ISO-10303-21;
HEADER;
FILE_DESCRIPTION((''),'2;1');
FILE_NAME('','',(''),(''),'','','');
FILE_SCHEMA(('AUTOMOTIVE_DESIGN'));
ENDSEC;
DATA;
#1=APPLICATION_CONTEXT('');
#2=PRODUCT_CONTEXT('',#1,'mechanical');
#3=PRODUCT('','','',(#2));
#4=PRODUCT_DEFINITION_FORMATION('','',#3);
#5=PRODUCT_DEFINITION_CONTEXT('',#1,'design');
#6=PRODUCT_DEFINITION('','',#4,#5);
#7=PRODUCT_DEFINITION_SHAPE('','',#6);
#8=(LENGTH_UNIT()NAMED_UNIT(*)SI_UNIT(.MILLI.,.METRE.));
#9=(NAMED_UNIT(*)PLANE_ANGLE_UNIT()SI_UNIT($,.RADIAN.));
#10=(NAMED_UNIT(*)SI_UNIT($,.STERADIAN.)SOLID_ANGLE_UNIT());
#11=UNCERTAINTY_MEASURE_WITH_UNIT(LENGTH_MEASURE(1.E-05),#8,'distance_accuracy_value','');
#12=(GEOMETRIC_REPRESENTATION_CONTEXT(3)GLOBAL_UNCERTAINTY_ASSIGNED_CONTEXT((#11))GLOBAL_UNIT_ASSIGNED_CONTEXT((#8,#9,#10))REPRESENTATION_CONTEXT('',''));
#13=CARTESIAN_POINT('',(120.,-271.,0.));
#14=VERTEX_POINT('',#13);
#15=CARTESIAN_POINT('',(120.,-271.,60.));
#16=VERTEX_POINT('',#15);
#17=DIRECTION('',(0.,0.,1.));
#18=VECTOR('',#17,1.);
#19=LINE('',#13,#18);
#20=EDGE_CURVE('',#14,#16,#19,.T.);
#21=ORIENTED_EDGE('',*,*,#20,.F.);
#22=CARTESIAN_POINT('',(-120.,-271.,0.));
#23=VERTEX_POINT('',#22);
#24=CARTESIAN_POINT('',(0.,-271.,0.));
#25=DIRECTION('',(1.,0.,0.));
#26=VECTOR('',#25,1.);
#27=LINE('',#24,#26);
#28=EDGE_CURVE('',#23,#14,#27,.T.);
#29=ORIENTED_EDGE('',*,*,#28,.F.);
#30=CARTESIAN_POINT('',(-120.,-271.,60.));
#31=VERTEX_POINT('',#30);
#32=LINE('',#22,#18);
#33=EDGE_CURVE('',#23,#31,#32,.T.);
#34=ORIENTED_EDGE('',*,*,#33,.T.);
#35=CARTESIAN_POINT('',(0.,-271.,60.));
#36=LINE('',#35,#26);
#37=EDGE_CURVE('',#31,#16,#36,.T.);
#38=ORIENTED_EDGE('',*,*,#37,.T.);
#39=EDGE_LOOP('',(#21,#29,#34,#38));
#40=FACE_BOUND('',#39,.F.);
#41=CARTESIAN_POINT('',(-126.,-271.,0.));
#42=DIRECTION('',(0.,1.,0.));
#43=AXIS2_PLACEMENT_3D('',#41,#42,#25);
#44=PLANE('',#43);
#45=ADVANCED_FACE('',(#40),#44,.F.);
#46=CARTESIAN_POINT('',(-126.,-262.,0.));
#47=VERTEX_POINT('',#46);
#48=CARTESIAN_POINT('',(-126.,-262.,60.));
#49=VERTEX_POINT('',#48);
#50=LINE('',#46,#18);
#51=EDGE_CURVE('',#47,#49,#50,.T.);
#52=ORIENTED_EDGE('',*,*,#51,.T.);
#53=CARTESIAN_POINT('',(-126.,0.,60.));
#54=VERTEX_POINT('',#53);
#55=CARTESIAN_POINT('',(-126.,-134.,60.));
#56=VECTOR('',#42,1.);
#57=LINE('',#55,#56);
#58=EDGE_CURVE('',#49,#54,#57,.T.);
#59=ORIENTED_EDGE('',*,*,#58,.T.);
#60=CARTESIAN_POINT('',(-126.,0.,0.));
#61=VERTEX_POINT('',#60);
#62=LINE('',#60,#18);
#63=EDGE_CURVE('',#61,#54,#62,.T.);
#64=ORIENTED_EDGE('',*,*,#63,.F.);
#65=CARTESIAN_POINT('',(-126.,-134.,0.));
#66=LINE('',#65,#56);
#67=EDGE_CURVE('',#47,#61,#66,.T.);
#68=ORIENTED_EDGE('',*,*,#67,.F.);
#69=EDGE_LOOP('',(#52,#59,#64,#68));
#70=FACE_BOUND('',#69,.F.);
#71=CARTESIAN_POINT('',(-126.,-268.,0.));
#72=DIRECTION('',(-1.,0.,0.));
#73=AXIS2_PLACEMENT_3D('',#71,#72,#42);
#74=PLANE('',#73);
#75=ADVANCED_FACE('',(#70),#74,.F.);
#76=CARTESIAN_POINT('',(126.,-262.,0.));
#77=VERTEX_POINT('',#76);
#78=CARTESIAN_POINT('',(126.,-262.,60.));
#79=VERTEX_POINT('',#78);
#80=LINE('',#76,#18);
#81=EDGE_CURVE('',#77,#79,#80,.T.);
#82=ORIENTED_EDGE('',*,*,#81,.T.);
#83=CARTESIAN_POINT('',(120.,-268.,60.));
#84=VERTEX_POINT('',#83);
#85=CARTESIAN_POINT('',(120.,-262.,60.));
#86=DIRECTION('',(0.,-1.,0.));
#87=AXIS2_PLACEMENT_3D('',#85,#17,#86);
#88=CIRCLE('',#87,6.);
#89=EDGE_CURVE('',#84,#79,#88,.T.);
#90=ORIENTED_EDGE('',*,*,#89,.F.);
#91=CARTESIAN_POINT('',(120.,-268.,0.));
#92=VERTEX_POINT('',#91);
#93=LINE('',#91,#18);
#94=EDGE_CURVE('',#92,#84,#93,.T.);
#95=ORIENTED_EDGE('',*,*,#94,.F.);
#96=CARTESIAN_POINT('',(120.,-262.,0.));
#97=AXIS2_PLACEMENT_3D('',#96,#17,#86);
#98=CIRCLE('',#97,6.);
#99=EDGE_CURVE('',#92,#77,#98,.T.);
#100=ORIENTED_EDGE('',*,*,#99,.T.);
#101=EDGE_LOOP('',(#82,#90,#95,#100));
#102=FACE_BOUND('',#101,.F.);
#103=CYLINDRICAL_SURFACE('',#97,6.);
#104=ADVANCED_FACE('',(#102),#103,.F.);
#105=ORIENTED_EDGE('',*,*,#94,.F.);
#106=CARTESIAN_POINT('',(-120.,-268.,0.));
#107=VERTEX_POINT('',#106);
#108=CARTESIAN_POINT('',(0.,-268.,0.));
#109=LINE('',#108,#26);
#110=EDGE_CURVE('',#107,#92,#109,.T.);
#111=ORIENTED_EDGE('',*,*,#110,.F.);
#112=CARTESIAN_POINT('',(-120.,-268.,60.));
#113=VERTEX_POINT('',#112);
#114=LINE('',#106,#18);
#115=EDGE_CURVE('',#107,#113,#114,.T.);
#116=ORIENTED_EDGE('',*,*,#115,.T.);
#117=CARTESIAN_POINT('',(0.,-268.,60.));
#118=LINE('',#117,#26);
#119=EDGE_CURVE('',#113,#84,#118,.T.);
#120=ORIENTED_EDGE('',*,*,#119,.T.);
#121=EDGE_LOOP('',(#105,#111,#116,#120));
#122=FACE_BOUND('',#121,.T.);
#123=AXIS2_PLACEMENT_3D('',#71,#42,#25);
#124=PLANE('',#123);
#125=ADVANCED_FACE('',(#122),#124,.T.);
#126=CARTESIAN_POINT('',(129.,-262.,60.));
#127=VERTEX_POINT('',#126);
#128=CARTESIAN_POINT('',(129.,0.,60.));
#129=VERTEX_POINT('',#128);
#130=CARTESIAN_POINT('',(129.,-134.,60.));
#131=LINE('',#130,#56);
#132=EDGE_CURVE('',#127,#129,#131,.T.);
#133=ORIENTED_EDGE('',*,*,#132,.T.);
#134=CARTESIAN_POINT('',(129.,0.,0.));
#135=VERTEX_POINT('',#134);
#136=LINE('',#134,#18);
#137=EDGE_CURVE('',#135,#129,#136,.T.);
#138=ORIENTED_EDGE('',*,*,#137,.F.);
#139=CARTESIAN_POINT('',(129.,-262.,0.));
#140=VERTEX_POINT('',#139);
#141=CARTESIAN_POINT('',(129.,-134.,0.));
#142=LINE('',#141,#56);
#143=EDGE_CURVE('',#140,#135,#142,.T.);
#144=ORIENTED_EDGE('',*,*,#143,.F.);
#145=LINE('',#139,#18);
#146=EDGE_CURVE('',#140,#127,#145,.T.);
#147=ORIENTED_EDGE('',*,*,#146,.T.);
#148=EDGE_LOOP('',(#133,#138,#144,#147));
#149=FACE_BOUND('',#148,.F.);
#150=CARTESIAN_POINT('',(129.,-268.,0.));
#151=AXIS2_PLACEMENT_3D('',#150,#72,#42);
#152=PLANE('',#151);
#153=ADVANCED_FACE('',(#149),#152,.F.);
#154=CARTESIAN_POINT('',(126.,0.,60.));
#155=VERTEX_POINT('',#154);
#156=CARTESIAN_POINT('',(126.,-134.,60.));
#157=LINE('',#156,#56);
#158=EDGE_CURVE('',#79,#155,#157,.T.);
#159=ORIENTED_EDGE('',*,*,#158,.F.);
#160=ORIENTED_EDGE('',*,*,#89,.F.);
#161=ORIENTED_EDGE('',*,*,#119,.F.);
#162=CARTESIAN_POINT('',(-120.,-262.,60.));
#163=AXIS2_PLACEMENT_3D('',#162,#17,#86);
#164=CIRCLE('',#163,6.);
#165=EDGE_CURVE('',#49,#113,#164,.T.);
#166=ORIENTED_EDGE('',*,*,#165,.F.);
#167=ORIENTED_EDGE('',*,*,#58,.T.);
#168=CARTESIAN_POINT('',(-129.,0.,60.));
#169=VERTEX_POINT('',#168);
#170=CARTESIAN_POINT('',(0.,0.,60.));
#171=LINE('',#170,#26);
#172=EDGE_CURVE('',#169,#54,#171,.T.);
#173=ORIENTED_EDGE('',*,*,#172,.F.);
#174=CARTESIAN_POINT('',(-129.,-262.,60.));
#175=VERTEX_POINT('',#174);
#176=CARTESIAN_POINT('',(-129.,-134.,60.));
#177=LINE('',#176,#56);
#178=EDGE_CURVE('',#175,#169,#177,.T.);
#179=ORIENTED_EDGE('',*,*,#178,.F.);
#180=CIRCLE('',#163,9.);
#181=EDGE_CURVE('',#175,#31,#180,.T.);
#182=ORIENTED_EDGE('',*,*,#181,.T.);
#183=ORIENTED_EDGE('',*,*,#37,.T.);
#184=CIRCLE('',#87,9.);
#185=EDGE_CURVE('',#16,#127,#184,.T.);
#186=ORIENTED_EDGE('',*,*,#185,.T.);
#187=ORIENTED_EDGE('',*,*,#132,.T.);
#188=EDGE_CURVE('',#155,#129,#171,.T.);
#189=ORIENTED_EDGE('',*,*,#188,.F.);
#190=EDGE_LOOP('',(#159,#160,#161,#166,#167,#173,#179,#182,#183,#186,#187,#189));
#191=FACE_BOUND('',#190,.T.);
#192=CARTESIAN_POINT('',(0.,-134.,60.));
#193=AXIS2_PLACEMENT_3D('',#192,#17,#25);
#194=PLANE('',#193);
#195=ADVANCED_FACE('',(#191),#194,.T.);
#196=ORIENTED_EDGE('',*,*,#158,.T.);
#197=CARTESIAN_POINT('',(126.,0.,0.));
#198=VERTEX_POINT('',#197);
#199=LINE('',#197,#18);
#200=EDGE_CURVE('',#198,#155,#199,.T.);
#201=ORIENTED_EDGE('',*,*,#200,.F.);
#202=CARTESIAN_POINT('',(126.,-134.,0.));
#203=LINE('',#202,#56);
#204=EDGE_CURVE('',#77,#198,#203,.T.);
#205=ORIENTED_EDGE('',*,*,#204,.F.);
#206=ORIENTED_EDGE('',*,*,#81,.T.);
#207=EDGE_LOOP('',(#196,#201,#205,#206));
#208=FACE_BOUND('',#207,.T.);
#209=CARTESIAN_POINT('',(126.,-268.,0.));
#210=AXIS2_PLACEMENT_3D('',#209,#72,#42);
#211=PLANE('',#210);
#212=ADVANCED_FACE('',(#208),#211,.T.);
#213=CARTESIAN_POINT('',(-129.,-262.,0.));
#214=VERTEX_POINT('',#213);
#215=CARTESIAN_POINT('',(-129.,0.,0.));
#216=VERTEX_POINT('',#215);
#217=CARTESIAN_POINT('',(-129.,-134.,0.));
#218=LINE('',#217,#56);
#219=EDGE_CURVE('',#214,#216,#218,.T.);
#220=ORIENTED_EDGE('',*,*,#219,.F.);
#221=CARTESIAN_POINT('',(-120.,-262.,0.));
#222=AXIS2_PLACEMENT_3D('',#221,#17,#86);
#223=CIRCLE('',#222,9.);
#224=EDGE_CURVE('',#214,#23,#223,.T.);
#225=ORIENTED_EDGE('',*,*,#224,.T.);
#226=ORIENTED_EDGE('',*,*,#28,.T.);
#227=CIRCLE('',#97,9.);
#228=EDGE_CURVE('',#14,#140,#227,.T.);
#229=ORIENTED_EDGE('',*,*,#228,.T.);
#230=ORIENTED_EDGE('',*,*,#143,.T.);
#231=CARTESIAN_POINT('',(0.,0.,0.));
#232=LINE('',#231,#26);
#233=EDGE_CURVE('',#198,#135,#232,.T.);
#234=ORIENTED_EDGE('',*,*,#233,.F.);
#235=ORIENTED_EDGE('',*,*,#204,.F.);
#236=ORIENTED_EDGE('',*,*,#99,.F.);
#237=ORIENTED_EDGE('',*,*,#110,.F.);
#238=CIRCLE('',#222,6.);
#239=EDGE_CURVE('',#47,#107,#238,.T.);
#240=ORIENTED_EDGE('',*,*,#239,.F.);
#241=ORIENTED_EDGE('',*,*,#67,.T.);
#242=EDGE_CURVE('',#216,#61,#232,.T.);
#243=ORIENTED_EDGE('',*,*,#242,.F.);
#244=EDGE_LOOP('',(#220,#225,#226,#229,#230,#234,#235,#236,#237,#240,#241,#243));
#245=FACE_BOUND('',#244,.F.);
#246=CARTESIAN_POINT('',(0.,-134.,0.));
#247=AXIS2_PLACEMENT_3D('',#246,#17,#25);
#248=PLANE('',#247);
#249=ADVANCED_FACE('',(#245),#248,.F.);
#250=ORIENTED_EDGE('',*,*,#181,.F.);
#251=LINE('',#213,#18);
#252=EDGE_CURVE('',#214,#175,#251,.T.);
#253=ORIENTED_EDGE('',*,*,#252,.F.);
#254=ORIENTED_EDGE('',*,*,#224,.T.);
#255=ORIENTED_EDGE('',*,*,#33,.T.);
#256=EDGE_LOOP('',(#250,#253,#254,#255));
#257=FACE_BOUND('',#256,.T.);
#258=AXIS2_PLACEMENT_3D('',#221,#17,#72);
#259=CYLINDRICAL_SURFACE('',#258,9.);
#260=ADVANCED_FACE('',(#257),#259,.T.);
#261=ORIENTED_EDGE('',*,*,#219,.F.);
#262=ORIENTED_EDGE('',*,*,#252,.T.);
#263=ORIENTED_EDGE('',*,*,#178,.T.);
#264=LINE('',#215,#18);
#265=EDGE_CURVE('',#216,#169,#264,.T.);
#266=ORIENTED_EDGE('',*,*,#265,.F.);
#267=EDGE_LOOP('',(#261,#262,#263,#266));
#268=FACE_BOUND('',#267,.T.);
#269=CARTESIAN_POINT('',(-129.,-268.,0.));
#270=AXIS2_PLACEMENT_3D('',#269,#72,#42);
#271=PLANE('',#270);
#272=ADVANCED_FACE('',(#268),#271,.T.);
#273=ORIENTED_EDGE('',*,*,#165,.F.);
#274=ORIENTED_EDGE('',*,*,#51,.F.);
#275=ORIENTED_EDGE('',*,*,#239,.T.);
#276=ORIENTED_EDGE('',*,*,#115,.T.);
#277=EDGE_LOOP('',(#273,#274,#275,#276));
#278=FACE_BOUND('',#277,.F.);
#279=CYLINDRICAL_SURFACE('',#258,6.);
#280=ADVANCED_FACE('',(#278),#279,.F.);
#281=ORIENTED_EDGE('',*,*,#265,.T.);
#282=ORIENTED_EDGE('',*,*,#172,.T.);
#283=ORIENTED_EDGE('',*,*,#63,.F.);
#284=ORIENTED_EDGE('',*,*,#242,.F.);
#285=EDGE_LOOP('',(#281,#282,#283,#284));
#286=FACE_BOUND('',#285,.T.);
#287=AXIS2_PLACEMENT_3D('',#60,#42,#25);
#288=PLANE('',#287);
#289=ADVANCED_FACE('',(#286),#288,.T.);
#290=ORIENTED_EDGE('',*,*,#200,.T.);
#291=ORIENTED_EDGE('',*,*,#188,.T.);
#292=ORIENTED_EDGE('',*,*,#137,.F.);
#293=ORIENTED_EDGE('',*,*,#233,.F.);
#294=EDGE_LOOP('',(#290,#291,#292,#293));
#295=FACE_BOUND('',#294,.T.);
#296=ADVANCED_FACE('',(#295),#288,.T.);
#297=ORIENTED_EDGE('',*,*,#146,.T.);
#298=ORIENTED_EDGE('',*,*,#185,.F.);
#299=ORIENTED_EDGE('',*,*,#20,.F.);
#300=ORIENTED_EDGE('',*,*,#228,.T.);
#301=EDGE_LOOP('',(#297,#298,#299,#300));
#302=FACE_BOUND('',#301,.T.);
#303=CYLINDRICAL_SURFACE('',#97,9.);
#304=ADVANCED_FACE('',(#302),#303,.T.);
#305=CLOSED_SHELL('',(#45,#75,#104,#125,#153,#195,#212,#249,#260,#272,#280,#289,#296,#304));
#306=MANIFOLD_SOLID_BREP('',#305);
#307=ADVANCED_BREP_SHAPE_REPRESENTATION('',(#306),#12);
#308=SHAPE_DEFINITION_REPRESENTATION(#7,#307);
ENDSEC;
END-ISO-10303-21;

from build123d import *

# Parameters (mm, degrees)
SKETCH040_W    = 252
SKETCH040_H    = 268
PAD011_DEPTH   = 60
FILLET013_R    = 6
THICKNESS001_T = 3


with BuildPart() as part:
    # Sketch040 → Pad011 (new body)
    with BuildSketch(Plane.XY):
        with Locations((0, -134)):
            Rectangle(SKETCH040_W, SKETCH040_H)
    extrude(amount=PAD011_DEPTH)

    # Fillet013
    fillet013_edges = [part.edges().sort_by_distance(p)[0] for p in [
        (126, -268, 30),
        (-126, -268, 30),
    ]]
    fillet(fillet013_edges, radius=FILLET013_R)

    # Thickness001
    thickness001_openings = [part.faces().sort_by_distance(p)[0] for p in [
        (0, -133.969642, 60),
        (0, -133.969642, 0),
        (0, 0, 30),
    ]]
    offset(amount=THICKNESS001_T, openings=thickness001_openings)


solid = part.part
